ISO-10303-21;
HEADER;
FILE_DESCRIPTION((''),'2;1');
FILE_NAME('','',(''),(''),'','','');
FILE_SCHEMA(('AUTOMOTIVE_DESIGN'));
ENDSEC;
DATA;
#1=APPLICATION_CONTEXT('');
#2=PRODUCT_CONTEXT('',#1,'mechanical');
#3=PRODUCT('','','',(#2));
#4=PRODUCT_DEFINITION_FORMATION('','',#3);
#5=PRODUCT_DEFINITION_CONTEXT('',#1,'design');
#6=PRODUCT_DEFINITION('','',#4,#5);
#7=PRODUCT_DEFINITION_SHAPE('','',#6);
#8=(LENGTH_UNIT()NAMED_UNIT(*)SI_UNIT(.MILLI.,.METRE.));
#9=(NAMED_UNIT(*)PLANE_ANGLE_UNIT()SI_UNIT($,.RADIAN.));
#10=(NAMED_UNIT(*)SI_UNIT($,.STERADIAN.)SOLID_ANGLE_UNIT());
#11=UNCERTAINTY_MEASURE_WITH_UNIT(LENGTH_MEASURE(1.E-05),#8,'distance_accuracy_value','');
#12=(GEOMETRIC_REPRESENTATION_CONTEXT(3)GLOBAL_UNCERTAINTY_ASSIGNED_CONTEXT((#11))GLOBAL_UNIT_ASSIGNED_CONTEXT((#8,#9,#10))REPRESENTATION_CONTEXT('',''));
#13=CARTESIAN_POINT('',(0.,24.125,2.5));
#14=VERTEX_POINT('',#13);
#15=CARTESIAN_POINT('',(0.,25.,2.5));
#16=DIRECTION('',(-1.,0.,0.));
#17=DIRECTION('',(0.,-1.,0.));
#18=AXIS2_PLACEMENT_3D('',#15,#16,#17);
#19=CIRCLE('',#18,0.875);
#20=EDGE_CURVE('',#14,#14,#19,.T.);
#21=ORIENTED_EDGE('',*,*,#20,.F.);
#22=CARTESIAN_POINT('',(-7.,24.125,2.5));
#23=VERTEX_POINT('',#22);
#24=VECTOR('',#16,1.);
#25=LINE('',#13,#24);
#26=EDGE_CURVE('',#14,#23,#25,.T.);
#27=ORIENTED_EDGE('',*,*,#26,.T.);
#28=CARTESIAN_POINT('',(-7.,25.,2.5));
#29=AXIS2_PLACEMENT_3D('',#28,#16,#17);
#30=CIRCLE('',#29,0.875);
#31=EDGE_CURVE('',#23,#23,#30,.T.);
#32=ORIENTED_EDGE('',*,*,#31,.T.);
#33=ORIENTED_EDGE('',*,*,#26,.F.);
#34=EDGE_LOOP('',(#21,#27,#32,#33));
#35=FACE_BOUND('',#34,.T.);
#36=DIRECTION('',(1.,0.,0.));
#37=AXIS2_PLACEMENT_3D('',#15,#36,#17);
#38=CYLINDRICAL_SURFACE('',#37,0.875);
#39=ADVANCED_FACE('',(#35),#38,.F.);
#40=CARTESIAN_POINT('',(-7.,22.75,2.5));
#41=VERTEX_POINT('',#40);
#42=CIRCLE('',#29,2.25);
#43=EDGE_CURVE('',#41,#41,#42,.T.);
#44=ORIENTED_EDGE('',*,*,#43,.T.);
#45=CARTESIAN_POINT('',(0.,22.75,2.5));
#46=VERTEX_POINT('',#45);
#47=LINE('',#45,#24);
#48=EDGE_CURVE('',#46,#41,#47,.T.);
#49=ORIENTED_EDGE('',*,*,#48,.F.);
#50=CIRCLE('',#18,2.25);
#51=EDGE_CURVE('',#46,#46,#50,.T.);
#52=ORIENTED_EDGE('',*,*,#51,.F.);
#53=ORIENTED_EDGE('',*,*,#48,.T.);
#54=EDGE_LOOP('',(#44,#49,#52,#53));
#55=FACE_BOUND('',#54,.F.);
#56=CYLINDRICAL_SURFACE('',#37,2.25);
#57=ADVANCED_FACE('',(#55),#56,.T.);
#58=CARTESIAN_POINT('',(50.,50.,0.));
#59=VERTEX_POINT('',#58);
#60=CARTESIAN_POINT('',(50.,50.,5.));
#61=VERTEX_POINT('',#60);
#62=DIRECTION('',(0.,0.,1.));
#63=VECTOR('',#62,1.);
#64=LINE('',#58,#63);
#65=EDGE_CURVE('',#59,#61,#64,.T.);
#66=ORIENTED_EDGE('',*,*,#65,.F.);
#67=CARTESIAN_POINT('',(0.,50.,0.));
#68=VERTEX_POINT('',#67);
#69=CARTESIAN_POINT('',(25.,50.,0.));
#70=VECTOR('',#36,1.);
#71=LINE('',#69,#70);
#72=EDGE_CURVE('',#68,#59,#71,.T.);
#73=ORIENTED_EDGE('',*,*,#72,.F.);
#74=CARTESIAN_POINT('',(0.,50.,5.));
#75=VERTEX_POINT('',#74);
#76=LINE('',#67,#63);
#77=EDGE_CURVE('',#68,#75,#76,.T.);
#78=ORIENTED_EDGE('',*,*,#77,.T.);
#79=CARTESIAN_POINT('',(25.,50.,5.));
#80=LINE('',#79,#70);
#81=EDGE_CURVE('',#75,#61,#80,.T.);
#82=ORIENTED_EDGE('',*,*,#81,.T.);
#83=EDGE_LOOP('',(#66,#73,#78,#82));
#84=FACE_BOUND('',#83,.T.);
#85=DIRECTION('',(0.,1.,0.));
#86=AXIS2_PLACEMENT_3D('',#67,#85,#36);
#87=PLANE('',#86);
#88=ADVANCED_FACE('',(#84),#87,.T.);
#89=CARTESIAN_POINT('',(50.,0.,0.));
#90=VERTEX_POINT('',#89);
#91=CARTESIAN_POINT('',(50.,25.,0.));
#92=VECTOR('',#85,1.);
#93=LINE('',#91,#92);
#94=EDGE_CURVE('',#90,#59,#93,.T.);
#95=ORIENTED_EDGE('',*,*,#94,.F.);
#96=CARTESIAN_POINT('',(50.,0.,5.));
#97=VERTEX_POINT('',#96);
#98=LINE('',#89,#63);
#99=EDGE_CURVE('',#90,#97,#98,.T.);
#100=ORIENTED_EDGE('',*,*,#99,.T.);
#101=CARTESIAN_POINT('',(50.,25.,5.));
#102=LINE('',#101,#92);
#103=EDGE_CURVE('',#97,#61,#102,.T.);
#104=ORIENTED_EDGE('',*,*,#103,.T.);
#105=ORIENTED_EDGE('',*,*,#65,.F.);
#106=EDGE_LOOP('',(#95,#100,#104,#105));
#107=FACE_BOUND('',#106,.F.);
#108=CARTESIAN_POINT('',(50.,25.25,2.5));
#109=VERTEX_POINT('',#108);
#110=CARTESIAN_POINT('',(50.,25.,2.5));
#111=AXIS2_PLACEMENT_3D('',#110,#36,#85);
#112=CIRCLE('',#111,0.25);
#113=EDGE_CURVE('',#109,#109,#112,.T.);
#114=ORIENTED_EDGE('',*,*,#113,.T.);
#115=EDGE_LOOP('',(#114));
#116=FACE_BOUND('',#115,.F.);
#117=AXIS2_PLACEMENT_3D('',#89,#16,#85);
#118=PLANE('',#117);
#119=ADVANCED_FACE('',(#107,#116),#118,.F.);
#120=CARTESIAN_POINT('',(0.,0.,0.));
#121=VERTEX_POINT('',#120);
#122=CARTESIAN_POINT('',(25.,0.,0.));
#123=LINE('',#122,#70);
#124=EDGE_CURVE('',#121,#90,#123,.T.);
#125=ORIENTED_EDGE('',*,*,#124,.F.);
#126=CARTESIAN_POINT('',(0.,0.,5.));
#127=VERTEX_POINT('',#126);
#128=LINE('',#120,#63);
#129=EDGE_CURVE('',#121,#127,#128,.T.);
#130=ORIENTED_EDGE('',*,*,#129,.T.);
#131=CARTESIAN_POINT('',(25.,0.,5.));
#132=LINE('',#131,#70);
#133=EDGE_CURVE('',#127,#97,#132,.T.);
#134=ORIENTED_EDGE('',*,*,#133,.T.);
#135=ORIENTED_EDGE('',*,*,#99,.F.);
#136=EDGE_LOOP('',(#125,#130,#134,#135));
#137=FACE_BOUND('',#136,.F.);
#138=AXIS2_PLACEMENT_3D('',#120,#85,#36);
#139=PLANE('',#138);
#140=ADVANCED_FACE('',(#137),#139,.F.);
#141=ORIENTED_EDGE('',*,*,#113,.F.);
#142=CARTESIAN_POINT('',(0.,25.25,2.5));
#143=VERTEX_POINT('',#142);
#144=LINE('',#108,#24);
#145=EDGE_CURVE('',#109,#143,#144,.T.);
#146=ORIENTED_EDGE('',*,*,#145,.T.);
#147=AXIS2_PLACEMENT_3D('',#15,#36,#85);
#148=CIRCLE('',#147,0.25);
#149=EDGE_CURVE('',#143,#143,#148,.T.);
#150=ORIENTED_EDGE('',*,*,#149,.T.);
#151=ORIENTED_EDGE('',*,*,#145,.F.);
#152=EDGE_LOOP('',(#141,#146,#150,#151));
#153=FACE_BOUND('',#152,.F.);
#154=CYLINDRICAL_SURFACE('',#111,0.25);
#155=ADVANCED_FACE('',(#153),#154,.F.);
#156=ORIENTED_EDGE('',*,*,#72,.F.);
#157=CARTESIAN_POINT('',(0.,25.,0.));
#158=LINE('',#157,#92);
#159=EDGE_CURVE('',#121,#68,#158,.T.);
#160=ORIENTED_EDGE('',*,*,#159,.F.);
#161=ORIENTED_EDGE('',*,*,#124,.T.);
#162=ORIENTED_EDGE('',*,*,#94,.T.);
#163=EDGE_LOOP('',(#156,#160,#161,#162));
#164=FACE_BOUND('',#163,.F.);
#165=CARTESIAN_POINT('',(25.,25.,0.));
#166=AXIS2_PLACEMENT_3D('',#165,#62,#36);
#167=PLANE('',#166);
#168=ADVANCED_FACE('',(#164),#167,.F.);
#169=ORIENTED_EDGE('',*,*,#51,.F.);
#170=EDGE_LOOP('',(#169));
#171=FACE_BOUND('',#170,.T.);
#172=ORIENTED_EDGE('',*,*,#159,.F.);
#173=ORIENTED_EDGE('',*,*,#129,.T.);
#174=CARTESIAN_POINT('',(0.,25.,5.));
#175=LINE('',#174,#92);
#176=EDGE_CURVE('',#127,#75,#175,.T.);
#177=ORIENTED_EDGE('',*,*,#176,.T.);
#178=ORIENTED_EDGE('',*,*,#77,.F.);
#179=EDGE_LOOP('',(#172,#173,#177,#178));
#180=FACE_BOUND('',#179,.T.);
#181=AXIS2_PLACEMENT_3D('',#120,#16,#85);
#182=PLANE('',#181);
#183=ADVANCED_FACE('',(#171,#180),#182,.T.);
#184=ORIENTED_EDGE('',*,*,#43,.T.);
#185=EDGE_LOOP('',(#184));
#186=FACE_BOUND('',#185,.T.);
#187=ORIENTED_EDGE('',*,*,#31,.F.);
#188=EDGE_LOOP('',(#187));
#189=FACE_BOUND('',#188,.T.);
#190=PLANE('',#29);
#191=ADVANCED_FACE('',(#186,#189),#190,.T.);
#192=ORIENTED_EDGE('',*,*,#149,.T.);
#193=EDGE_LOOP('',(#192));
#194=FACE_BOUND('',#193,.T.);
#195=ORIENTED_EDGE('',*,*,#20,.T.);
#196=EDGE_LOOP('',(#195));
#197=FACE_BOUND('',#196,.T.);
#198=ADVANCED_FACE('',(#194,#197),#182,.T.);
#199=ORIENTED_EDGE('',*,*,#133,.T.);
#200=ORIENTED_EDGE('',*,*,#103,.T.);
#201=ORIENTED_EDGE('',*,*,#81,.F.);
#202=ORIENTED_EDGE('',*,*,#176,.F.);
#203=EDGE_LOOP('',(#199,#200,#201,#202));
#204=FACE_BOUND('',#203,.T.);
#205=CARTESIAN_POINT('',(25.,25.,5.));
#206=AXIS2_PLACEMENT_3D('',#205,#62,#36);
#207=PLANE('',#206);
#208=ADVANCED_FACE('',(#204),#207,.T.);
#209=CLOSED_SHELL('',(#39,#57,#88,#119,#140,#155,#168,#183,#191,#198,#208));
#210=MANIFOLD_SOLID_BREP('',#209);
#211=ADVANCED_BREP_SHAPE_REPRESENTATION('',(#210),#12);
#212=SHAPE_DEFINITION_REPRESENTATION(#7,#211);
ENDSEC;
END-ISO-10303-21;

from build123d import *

# Parameters (mm, degrees)
F0_W     = 50
F0_H     = 50
F1_DEPTH = 5
F2_R     = 0.25
F3_DEPTH = 55.8
F4_R     = 2.25
F4_R_2   = 0.875
F5_DEPTH = 7


with BuildPart() as f1:
    # F0 (on Top) → F1 (new body)
    with BuildSketch(Plane.XY):
        with Locations((25, 25)):
            Rectangle(F0_W, F0_H)
    extrude(amount=F1_DEPTH)

    # F2 (on face) → F3 (cut)
    with BuildSketch(Plane.YZ.offset(50)):
        with Locations((25, 2.5)):
            Circle(F2_R)
    extrude(amount=-F3_DEPTH, mode=Mode.SUBTRACT)

    # F4 (on face) → F5 (join)
    with BuildSketch(Plane(origin=(0, 0, 0), x_dir=(0, -1, 0), z_dir=(-1, 0, 0))):
        with Locations((-25, 2.5)):
            Circle(F4_R)
        with Locations((-25, 2.5)):
            Circle(F4_R_2, mode=Mode.SUBTRACT)
    extrude(amount=F5_DEPTH)


solid = f1.part
